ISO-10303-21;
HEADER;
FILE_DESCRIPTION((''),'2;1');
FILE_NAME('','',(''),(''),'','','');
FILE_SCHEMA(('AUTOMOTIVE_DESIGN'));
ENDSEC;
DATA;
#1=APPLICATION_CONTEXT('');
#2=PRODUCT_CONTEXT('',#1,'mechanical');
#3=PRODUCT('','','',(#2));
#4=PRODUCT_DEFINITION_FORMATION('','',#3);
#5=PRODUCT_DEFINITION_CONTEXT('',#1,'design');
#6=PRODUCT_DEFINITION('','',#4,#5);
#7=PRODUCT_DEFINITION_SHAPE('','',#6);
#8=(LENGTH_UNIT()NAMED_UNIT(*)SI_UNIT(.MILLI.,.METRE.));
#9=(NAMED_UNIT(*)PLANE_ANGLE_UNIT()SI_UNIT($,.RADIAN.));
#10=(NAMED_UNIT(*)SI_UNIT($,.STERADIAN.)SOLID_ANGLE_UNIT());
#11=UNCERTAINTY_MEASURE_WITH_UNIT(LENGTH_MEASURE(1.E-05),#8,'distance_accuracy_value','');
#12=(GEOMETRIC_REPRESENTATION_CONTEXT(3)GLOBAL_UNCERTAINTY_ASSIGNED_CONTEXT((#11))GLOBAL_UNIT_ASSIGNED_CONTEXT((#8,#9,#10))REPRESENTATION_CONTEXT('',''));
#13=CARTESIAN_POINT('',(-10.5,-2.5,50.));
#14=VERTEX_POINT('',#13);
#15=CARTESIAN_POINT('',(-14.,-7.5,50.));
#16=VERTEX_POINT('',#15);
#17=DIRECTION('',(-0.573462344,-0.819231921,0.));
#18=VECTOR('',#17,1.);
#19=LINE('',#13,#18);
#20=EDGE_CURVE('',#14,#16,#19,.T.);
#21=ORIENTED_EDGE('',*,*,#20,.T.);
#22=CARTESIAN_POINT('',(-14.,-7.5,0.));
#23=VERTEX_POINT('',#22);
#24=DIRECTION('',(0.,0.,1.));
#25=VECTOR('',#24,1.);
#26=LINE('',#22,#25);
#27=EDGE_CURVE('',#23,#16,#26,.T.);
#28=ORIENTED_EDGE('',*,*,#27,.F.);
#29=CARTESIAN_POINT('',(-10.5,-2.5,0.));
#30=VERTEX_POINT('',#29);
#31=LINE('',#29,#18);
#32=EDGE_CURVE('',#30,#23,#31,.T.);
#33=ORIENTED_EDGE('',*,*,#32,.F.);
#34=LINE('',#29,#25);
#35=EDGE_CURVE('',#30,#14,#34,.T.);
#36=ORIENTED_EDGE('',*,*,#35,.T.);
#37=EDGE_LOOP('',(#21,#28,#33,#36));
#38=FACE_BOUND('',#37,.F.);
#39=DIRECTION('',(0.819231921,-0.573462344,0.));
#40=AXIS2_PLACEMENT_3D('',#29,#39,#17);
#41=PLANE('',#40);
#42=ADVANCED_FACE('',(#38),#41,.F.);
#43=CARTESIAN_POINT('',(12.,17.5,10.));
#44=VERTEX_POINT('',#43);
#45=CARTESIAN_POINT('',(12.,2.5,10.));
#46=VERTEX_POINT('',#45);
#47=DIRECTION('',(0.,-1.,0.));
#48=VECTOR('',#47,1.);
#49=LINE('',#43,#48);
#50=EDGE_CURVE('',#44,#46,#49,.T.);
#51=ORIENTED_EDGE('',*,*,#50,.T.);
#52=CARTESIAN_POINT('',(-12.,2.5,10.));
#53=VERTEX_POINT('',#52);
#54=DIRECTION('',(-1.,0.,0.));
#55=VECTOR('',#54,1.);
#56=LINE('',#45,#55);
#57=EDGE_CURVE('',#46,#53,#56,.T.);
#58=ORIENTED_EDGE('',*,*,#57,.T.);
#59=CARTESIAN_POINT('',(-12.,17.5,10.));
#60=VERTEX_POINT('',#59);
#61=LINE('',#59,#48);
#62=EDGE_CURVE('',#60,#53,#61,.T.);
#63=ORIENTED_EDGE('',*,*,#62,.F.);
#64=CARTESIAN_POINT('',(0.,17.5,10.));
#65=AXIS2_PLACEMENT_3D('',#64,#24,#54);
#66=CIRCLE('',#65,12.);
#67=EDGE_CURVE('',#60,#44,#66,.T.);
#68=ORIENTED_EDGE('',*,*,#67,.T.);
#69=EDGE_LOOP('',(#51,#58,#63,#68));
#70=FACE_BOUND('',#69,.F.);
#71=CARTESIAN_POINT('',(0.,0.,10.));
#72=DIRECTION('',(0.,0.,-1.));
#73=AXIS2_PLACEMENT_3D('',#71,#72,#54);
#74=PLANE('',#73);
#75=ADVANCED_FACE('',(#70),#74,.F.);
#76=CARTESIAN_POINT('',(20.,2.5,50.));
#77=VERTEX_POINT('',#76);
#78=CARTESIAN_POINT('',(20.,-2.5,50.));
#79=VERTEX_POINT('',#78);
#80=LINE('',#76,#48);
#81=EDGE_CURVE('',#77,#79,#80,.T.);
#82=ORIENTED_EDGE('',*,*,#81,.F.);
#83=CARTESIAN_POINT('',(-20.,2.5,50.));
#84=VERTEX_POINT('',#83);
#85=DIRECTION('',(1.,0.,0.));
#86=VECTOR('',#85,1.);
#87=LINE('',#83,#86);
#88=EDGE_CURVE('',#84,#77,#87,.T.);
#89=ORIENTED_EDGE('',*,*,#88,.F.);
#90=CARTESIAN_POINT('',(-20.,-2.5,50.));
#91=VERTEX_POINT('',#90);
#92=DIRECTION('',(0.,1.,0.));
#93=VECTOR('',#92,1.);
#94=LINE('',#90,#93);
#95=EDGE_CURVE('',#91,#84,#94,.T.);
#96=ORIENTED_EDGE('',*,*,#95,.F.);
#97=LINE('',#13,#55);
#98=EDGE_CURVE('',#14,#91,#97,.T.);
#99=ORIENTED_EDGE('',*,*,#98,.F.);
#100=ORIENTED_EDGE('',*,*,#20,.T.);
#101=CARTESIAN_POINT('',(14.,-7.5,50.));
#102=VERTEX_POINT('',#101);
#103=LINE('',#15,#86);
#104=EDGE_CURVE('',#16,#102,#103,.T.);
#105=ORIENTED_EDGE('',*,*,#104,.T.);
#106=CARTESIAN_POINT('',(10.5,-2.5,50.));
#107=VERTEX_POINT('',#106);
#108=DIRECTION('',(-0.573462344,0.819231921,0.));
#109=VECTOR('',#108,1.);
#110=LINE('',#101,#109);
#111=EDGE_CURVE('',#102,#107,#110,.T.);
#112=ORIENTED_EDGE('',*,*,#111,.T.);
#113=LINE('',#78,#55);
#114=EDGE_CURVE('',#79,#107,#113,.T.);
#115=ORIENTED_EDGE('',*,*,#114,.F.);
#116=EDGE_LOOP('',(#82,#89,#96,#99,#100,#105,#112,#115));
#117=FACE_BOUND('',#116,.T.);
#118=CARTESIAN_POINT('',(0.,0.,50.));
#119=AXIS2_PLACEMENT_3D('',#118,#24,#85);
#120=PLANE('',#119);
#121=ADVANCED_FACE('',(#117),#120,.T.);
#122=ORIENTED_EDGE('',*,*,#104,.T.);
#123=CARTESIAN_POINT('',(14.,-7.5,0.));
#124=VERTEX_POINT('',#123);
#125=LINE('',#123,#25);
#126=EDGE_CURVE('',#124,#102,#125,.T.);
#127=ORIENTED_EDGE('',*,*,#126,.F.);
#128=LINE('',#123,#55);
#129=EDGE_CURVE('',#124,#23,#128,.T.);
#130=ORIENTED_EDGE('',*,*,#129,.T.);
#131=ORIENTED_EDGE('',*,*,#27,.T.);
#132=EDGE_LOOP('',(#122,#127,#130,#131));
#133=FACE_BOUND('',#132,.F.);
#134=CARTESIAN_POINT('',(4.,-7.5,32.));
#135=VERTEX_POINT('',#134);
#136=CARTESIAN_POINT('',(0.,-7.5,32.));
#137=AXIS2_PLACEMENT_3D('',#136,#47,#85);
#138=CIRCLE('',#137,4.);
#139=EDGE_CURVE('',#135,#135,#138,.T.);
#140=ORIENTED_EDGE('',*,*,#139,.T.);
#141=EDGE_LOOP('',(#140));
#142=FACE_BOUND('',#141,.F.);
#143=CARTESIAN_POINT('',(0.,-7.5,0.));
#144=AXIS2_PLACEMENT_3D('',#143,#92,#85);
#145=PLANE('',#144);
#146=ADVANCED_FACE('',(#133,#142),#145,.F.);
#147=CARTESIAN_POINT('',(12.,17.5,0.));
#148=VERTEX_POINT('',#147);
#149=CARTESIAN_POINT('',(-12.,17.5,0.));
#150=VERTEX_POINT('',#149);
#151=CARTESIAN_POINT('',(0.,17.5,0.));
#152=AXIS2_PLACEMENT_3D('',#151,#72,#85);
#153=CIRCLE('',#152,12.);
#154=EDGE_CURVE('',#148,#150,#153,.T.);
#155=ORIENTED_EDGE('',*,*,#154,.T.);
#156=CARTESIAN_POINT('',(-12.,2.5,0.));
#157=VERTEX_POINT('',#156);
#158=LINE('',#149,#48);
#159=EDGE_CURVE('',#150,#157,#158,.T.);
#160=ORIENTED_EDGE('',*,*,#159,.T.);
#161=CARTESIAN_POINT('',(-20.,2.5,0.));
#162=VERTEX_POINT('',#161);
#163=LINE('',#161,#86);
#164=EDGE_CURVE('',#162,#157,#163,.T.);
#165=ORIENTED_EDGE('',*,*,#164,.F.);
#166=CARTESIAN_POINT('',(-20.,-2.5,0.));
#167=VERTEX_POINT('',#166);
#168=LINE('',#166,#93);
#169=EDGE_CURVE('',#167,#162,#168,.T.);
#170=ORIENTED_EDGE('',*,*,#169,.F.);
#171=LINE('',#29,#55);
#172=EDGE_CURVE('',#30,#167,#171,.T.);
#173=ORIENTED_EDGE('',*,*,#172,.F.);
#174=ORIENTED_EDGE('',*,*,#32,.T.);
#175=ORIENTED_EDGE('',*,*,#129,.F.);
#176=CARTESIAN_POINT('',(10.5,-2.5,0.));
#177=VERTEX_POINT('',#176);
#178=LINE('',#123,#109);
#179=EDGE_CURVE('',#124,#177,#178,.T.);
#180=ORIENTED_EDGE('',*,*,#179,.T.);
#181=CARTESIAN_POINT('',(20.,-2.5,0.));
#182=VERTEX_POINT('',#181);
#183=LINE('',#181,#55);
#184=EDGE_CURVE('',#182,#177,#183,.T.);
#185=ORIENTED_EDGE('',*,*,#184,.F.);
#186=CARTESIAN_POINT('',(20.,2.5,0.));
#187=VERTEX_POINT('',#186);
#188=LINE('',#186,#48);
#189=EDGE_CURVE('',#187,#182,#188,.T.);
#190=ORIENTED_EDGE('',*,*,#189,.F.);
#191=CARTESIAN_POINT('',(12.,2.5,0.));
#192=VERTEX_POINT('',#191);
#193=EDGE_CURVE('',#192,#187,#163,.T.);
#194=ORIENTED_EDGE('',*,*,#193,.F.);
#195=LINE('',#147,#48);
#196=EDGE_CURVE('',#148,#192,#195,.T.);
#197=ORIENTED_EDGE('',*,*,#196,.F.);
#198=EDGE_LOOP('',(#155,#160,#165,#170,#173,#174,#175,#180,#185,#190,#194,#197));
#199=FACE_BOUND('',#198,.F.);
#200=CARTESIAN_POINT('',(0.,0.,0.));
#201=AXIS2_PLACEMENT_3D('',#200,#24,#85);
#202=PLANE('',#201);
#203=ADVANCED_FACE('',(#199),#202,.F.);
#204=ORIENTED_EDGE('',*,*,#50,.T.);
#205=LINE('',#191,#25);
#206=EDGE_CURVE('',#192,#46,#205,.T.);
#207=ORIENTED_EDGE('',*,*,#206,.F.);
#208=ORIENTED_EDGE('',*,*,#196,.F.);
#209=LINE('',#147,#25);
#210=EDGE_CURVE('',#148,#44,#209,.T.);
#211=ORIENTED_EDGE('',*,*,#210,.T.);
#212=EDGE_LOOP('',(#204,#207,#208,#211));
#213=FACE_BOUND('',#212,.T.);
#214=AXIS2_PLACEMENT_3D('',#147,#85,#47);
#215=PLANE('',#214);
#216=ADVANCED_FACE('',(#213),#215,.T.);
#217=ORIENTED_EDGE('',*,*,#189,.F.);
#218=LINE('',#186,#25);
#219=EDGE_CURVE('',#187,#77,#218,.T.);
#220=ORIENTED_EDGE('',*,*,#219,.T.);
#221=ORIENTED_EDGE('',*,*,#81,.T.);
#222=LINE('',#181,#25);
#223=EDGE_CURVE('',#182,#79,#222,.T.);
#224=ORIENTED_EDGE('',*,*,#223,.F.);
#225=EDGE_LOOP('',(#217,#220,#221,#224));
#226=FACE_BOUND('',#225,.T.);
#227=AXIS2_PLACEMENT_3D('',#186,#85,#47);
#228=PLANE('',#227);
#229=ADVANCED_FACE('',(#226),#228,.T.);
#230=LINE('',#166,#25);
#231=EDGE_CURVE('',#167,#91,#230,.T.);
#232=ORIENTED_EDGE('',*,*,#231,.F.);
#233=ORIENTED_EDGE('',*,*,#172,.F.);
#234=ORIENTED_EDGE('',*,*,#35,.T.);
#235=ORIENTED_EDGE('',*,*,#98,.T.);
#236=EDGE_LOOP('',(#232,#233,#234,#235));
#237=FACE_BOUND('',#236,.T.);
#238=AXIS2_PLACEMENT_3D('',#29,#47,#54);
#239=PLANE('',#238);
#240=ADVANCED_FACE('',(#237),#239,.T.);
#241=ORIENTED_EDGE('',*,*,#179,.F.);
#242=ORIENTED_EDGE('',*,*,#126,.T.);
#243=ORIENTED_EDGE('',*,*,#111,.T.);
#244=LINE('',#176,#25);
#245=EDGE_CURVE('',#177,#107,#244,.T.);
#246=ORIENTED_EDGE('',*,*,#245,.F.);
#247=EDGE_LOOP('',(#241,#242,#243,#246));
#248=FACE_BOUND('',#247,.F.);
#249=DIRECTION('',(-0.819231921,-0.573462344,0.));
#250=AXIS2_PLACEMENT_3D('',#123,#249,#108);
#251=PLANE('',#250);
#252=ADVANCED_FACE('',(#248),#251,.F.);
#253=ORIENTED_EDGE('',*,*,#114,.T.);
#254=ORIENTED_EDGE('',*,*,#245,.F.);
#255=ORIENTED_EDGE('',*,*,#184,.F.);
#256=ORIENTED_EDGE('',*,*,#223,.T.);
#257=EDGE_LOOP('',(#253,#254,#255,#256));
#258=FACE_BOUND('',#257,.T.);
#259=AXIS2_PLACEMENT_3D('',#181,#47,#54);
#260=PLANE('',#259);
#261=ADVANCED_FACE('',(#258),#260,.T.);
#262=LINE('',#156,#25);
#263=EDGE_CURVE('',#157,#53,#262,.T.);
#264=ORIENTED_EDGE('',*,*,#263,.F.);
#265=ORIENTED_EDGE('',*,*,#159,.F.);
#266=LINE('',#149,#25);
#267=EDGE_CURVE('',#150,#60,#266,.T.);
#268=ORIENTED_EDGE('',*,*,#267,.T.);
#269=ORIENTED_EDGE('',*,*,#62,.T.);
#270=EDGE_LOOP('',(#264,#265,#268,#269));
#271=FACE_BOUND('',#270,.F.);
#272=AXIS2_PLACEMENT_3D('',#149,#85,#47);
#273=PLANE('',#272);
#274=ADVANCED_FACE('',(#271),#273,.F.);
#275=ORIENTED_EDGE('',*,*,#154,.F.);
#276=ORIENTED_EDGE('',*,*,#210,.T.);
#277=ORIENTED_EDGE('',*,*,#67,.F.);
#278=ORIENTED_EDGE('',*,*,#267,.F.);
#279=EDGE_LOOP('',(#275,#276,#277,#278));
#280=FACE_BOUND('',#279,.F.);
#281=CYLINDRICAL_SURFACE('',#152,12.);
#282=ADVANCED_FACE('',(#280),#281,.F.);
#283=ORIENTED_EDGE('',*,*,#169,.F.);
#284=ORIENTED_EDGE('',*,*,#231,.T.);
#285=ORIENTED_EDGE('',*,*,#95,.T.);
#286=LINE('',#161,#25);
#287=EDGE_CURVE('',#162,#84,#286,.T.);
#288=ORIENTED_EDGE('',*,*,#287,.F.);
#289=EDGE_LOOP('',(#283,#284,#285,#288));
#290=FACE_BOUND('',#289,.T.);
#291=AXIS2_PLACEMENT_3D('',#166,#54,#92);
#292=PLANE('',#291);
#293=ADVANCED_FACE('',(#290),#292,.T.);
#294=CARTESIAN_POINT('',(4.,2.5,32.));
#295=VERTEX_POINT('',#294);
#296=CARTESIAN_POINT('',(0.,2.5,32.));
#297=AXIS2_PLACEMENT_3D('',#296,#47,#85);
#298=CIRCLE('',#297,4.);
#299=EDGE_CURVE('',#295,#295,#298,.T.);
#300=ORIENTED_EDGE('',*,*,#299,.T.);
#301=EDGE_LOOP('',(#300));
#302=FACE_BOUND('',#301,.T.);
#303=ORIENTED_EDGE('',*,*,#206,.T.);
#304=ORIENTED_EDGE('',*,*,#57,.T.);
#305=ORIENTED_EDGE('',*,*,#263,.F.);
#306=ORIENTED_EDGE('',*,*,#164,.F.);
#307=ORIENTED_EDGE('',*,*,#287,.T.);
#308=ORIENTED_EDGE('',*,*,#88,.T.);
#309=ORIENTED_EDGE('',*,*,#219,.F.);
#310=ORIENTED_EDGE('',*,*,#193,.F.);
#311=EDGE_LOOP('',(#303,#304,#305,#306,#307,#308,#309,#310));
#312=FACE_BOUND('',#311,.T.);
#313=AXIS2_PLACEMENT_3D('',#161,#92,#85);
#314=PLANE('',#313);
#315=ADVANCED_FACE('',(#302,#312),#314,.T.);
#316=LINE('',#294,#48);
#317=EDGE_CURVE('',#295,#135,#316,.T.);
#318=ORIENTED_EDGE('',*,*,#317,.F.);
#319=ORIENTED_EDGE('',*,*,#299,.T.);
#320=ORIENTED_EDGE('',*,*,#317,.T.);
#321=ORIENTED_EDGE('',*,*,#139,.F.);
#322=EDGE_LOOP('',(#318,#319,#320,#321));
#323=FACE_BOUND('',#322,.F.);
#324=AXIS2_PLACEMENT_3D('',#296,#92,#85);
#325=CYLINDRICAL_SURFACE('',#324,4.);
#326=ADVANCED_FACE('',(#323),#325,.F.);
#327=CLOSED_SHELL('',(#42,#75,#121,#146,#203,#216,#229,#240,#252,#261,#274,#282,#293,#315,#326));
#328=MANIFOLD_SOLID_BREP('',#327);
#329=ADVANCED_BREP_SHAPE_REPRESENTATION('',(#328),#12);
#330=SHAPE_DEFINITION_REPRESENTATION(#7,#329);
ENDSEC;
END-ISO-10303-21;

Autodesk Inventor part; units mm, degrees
ref_plane "YZ Plane" through (0, 0, 0) normal (1, 0, 0) x (0, 1, 0)
ref_plane "XZ Plane" through (0, 0, 0) normal (0, 1, 0) x (-1, 0, 0)
ref_plane "XY Plane" through (0, 0, 0) normal (0, 0, 1) x (1, 0, 0)
sketch "草图1" plane through (0, 0, 0) normal (0, 0, 1) x (1, 0, 0)
  line L0 (0, 0) -> (0, 17.5565)
  line L1 (-20, 2.5) -> (20, 2.5)
  line L2 (20, 2.5) -> (20, -2.5)
  line L3 (-20, -2.5) -> (-20, 2.5)
  line L4 (-20, 2.5) -> (20, -2.5) construction
  line L5 (20, 2.5) -> (-20, -2.5) construction
  line L6 (0, -7.5) -> (14, -7.5)
  line L7 (0, -7.5) -> (-14, -7.5)
  line L8 (-10.5, -2.5) -> (-14, -7.5)
  line L9 (14, -7.5) -> (10.5, -2.5)
  line L10 (20, -2.5) -> (10.5, -2.5)
  line L11 (-10.5, -2.5) -> (-20, -2.5)
  dimension "d1" = 40
  dimension "d2" = 5
  dimension "d5" = 14
  dimension "d8" = 21
extrude "拉伸1" add sketch "草图1" along normal blind 50
sketch "草图2" plane through (0, 0, 0) normal (0, 0, -1) x (-1, 0, 0)
  line L0 (-20, 2.5) -> (20, 2.5) projected
  line L1 (0, 2.5) -> (0, 17.5)
  arc A0 (-12, 17.5) -> (12, 17.5) centre (0, 17.5) ccw
  line L2 (-12, 17.5) -> (-12, 2.5)
  line L3 (12, 17.5) -> (12, 2.5)
  point P0 (0, 0)
  dimension "d11" = 15
  dimension "d12" = 24
extrude "拉伸2" add sketch "草图2" against normal blind 10
sketch "草图3" plane through (-20, 2.5, 50) normal (0, 1, 0) x (1, 0, 0)
  line L0 (40, 0) -> (0, 0) projected
  line L1 (20, 0) -> (20, 18)
  circle A0 centre (20, 18) radius 4
  point P0 (20, 50)
  dimension "d15" = 18
  dimension "d16" = 8
extrude "拉伸3" cut sketch "草图3" against normal blind 20
properties part number "2-6"
